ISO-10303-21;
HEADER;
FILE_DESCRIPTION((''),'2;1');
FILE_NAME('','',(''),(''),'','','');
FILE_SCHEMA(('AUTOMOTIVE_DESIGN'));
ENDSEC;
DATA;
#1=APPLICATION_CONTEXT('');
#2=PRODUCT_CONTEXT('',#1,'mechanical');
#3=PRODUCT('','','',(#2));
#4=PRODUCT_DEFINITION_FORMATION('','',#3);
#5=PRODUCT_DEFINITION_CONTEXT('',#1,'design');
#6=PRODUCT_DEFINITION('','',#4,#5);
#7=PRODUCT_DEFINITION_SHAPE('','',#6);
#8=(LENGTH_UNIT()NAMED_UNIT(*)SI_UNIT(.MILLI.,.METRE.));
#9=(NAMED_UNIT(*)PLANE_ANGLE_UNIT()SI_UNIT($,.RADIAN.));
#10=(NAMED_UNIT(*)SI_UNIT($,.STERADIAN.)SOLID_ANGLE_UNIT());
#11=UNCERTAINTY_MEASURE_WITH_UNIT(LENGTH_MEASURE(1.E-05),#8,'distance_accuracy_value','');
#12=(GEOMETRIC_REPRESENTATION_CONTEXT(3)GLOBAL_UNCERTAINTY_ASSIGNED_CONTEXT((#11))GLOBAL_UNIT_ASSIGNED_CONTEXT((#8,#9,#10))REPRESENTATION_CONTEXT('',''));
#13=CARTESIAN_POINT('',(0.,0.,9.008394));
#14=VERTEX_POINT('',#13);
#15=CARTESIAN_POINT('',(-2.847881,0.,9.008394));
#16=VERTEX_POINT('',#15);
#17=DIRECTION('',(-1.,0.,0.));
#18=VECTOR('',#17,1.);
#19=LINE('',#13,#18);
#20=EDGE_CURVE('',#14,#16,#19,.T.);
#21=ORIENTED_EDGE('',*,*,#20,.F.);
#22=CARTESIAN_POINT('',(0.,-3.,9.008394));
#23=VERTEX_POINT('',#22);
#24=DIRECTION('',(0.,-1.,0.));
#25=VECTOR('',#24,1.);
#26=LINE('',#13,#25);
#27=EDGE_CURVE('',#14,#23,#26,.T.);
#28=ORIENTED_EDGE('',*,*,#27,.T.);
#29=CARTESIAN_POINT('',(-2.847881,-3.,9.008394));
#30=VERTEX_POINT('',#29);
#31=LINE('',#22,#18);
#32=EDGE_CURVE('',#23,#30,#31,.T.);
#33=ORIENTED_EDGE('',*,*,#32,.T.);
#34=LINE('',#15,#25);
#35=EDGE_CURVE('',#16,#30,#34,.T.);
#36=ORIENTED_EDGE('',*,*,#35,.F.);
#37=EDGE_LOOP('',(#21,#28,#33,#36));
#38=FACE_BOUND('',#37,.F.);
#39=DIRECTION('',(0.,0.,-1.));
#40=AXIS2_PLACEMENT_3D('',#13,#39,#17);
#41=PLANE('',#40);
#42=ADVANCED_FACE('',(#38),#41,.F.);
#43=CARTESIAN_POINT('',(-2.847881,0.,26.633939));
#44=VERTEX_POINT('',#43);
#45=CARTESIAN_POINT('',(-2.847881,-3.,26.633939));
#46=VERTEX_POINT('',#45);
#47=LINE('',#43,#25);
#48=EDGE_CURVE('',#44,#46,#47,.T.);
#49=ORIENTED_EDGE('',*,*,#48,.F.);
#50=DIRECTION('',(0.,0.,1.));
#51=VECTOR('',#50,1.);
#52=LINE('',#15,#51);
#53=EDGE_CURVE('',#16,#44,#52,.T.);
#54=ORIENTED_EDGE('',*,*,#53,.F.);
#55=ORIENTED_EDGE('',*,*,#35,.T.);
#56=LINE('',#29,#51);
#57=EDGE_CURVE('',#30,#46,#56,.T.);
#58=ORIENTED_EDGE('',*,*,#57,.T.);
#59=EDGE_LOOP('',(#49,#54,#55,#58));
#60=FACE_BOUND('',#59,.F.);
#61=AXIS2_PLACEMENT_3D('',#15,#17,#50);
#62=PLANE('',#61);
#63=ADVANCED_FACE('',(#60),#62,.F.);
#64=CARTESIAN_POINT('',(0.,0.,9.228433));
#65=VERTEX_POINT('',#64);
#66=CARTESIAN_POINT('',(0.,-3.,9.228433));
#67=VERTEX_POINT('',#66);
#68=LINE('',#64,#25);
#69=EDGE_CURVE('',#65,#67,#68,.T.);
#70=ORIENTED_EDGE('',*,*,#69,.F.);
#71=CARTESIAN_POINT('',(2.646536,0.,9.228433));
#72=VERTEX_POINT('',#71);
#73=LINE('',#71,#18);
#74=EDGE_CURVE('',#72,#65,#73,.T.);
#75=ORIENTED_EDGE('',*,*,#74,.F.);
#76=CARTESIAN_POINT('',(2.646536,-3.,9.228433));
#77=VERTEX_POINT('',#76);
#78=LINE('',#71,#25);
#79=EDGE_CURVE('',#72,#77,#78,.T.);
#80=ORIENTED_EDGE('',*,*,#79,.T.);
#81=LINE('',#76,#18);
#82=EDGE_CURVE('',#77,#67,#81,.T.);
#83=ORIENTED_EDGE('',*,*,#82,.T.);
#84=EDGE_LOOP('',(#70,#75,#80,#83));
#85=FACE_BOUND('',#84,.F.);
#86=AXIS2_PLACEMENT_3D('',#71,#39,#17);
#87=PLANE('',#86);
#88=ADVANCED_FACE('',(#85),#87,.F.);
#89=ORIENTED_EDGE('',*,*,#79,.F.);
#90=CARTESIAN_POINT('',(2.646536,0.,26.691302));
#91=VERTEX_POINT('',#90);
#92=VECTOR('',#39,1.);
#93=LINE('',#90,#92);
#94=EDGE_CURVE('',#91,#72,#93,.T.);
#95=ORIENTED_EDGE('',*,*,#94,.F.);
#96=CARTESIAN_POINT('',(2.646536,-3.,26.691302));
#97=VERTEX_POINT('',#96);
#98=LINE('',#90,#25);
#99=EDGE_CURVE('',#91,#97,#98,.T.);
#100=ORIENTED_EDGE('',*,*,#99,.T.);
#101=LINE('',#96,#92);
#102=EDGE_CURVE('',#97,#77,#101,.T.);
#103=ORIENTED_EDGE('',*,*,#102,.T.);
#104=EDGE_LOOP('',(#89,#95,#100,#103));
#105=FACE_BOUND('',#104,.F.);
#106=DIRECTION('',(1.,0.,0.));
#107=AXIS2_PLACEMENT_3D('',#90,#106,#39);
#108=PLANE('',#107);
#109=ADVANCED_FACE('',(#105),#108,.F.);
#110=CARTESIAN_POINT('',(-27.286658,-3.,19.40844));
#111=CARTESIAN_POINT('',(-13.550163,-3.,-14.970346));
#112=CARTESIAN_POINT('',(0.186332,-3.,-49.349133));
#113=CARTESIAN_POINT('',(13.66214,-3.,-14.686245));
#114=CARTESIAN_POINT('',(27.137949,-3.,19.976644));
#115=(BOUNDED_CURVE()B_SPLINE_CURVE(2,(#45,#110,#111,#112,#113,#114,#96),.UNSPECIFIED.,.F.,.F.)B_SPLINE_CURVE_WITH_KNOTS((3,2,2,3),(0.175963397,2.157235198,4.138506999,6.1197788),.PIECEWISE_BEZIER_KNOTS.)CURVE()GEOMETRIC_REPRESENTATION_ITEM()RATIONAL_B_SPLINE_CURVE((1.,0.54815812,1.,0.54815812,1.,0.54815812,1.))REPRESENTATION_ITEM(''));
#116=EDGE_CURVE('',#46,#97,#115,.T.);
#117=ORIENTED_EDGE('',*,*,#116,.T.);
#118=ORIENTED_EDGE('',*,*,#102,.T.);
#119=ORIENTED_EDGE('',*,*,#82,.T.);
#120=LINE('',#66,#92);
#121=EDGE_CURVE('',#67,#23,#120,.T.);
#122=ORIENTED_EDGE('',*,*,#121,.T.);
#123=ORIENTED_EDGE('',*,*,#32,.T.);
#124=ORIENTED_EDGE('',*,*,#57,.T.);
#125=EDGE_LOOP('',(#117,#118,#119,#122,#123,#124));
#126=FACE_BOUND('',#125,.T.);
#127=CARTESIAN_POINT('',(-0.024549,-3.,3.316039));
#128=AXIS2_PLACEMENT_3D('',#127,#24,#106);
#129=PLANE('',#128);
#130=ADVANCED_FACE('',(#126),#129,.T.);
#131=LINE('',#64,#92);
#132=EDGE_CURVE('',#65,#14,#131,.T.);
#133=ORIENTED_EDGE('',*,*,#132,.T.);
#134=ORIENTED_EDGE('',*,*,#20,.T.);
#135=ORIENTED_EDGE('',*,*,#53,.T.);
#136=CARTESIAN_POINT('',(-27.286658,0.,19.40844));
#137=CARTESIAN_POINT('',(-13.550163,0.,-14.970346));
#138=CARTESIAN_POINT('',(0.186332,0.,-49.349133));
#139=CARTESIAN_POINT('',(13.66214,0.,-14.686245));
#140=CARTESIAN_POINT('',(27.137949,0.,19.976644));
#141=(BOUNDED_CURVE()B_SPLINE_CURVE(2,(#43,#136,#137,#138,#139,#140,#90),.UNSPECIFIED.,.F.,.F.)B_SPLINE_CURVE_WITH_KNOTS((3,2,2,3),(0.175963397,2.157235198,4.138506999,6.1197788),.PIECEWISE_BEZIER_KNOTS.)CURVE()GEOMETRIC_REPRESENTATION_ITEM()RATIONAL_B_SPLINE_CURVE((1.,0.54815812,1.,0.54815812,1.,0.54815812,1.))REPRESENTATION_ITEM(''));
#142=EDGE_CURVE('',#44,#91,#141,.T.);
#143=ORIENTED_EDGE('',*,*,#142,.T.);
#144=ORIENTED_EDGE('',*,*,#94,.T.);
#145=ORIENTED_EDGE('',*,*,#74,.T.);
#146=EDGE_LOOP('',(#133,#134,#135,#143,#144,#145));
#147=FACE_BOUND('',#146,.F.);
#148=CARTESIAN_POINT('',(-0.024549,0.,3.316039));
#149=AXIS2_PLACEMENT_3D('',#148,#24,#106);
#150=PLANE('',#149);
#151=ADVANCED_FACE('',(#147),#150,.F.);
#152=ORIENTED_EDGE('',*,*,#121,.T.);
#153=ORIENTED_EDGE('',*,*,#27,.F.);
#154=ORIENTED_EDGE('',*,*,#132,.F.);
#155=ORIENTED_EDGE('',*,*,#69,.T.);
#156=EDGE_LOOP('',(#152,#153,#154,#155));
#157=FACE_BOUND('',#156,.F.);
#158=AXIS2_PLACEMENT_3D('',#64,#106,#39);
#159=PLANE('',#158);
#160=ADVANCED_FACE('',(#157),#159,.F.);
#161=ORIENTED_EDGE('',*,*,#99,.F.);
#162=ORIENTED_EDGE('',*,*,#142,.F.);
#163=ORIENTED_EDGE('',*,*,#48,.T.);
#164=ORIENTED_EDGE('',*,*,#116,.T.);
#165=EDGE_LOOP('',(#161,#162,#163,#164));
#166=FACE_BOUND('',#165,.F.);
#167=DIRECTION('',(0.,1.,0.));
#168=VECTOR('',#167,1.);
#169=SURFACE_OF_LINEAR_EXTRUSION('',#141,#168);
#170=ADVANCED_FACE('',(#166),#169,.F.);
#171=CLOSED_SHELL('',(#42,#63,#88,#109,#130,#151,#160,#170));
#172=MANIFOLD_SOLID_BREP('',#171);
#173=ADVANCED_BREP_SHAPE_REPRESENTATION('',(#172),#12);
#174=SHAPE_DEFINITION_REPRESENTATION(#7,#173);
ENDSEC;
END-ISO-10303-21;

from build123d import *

# Parameters (mm, degrees)
F1_DEPTH = 3


with BuildPart() as f1:
    # F0 (on Front) → F1 (new body)
    with BuildSketch(Plane.XZ):
        with BuildLine():
            Line((-2.8478808235, 9.0083936229), (-2.8478808235, 26.6339387884))
            add(Edge.make_bspline(
                [(-2.8478808235, 26.6339387884), (-27.2866584723, 19.408440191), (-13.5501634631, -14.9703464102), (0.1863315462, -49.3491330113), (13.6621402721, -14.6862445369), (27.1379489981, 19.9766439376), (2.6465363645, 26.6913015987)],
                knots=[0.1759633974, 0.1759633974, 0.1759633974, 2.1572351984, 2.1572351984, 4.1385069994, 4.1385069994, 6.1197788004, 6.1197788004, 6.1197788004], degree=2, weights=[1, 0.5481581203, 1, 0.5481581203, 1, 0.5481581203, 1]))
            Line((2.6465363645, 26.6913015987), (2.6465363645, 9.2284334823))
            Line((2.6465363645, 9.2284334823), (0, 9.2284334823))
            Line((0, 9.2284334823), (0, 9.0083936229))
            Line((0, 9.0083936229), (-2.8478808235, 9.0083936229))
        make_face()
    extrude(amount=F1_DEPTH)


solid = f1.part
